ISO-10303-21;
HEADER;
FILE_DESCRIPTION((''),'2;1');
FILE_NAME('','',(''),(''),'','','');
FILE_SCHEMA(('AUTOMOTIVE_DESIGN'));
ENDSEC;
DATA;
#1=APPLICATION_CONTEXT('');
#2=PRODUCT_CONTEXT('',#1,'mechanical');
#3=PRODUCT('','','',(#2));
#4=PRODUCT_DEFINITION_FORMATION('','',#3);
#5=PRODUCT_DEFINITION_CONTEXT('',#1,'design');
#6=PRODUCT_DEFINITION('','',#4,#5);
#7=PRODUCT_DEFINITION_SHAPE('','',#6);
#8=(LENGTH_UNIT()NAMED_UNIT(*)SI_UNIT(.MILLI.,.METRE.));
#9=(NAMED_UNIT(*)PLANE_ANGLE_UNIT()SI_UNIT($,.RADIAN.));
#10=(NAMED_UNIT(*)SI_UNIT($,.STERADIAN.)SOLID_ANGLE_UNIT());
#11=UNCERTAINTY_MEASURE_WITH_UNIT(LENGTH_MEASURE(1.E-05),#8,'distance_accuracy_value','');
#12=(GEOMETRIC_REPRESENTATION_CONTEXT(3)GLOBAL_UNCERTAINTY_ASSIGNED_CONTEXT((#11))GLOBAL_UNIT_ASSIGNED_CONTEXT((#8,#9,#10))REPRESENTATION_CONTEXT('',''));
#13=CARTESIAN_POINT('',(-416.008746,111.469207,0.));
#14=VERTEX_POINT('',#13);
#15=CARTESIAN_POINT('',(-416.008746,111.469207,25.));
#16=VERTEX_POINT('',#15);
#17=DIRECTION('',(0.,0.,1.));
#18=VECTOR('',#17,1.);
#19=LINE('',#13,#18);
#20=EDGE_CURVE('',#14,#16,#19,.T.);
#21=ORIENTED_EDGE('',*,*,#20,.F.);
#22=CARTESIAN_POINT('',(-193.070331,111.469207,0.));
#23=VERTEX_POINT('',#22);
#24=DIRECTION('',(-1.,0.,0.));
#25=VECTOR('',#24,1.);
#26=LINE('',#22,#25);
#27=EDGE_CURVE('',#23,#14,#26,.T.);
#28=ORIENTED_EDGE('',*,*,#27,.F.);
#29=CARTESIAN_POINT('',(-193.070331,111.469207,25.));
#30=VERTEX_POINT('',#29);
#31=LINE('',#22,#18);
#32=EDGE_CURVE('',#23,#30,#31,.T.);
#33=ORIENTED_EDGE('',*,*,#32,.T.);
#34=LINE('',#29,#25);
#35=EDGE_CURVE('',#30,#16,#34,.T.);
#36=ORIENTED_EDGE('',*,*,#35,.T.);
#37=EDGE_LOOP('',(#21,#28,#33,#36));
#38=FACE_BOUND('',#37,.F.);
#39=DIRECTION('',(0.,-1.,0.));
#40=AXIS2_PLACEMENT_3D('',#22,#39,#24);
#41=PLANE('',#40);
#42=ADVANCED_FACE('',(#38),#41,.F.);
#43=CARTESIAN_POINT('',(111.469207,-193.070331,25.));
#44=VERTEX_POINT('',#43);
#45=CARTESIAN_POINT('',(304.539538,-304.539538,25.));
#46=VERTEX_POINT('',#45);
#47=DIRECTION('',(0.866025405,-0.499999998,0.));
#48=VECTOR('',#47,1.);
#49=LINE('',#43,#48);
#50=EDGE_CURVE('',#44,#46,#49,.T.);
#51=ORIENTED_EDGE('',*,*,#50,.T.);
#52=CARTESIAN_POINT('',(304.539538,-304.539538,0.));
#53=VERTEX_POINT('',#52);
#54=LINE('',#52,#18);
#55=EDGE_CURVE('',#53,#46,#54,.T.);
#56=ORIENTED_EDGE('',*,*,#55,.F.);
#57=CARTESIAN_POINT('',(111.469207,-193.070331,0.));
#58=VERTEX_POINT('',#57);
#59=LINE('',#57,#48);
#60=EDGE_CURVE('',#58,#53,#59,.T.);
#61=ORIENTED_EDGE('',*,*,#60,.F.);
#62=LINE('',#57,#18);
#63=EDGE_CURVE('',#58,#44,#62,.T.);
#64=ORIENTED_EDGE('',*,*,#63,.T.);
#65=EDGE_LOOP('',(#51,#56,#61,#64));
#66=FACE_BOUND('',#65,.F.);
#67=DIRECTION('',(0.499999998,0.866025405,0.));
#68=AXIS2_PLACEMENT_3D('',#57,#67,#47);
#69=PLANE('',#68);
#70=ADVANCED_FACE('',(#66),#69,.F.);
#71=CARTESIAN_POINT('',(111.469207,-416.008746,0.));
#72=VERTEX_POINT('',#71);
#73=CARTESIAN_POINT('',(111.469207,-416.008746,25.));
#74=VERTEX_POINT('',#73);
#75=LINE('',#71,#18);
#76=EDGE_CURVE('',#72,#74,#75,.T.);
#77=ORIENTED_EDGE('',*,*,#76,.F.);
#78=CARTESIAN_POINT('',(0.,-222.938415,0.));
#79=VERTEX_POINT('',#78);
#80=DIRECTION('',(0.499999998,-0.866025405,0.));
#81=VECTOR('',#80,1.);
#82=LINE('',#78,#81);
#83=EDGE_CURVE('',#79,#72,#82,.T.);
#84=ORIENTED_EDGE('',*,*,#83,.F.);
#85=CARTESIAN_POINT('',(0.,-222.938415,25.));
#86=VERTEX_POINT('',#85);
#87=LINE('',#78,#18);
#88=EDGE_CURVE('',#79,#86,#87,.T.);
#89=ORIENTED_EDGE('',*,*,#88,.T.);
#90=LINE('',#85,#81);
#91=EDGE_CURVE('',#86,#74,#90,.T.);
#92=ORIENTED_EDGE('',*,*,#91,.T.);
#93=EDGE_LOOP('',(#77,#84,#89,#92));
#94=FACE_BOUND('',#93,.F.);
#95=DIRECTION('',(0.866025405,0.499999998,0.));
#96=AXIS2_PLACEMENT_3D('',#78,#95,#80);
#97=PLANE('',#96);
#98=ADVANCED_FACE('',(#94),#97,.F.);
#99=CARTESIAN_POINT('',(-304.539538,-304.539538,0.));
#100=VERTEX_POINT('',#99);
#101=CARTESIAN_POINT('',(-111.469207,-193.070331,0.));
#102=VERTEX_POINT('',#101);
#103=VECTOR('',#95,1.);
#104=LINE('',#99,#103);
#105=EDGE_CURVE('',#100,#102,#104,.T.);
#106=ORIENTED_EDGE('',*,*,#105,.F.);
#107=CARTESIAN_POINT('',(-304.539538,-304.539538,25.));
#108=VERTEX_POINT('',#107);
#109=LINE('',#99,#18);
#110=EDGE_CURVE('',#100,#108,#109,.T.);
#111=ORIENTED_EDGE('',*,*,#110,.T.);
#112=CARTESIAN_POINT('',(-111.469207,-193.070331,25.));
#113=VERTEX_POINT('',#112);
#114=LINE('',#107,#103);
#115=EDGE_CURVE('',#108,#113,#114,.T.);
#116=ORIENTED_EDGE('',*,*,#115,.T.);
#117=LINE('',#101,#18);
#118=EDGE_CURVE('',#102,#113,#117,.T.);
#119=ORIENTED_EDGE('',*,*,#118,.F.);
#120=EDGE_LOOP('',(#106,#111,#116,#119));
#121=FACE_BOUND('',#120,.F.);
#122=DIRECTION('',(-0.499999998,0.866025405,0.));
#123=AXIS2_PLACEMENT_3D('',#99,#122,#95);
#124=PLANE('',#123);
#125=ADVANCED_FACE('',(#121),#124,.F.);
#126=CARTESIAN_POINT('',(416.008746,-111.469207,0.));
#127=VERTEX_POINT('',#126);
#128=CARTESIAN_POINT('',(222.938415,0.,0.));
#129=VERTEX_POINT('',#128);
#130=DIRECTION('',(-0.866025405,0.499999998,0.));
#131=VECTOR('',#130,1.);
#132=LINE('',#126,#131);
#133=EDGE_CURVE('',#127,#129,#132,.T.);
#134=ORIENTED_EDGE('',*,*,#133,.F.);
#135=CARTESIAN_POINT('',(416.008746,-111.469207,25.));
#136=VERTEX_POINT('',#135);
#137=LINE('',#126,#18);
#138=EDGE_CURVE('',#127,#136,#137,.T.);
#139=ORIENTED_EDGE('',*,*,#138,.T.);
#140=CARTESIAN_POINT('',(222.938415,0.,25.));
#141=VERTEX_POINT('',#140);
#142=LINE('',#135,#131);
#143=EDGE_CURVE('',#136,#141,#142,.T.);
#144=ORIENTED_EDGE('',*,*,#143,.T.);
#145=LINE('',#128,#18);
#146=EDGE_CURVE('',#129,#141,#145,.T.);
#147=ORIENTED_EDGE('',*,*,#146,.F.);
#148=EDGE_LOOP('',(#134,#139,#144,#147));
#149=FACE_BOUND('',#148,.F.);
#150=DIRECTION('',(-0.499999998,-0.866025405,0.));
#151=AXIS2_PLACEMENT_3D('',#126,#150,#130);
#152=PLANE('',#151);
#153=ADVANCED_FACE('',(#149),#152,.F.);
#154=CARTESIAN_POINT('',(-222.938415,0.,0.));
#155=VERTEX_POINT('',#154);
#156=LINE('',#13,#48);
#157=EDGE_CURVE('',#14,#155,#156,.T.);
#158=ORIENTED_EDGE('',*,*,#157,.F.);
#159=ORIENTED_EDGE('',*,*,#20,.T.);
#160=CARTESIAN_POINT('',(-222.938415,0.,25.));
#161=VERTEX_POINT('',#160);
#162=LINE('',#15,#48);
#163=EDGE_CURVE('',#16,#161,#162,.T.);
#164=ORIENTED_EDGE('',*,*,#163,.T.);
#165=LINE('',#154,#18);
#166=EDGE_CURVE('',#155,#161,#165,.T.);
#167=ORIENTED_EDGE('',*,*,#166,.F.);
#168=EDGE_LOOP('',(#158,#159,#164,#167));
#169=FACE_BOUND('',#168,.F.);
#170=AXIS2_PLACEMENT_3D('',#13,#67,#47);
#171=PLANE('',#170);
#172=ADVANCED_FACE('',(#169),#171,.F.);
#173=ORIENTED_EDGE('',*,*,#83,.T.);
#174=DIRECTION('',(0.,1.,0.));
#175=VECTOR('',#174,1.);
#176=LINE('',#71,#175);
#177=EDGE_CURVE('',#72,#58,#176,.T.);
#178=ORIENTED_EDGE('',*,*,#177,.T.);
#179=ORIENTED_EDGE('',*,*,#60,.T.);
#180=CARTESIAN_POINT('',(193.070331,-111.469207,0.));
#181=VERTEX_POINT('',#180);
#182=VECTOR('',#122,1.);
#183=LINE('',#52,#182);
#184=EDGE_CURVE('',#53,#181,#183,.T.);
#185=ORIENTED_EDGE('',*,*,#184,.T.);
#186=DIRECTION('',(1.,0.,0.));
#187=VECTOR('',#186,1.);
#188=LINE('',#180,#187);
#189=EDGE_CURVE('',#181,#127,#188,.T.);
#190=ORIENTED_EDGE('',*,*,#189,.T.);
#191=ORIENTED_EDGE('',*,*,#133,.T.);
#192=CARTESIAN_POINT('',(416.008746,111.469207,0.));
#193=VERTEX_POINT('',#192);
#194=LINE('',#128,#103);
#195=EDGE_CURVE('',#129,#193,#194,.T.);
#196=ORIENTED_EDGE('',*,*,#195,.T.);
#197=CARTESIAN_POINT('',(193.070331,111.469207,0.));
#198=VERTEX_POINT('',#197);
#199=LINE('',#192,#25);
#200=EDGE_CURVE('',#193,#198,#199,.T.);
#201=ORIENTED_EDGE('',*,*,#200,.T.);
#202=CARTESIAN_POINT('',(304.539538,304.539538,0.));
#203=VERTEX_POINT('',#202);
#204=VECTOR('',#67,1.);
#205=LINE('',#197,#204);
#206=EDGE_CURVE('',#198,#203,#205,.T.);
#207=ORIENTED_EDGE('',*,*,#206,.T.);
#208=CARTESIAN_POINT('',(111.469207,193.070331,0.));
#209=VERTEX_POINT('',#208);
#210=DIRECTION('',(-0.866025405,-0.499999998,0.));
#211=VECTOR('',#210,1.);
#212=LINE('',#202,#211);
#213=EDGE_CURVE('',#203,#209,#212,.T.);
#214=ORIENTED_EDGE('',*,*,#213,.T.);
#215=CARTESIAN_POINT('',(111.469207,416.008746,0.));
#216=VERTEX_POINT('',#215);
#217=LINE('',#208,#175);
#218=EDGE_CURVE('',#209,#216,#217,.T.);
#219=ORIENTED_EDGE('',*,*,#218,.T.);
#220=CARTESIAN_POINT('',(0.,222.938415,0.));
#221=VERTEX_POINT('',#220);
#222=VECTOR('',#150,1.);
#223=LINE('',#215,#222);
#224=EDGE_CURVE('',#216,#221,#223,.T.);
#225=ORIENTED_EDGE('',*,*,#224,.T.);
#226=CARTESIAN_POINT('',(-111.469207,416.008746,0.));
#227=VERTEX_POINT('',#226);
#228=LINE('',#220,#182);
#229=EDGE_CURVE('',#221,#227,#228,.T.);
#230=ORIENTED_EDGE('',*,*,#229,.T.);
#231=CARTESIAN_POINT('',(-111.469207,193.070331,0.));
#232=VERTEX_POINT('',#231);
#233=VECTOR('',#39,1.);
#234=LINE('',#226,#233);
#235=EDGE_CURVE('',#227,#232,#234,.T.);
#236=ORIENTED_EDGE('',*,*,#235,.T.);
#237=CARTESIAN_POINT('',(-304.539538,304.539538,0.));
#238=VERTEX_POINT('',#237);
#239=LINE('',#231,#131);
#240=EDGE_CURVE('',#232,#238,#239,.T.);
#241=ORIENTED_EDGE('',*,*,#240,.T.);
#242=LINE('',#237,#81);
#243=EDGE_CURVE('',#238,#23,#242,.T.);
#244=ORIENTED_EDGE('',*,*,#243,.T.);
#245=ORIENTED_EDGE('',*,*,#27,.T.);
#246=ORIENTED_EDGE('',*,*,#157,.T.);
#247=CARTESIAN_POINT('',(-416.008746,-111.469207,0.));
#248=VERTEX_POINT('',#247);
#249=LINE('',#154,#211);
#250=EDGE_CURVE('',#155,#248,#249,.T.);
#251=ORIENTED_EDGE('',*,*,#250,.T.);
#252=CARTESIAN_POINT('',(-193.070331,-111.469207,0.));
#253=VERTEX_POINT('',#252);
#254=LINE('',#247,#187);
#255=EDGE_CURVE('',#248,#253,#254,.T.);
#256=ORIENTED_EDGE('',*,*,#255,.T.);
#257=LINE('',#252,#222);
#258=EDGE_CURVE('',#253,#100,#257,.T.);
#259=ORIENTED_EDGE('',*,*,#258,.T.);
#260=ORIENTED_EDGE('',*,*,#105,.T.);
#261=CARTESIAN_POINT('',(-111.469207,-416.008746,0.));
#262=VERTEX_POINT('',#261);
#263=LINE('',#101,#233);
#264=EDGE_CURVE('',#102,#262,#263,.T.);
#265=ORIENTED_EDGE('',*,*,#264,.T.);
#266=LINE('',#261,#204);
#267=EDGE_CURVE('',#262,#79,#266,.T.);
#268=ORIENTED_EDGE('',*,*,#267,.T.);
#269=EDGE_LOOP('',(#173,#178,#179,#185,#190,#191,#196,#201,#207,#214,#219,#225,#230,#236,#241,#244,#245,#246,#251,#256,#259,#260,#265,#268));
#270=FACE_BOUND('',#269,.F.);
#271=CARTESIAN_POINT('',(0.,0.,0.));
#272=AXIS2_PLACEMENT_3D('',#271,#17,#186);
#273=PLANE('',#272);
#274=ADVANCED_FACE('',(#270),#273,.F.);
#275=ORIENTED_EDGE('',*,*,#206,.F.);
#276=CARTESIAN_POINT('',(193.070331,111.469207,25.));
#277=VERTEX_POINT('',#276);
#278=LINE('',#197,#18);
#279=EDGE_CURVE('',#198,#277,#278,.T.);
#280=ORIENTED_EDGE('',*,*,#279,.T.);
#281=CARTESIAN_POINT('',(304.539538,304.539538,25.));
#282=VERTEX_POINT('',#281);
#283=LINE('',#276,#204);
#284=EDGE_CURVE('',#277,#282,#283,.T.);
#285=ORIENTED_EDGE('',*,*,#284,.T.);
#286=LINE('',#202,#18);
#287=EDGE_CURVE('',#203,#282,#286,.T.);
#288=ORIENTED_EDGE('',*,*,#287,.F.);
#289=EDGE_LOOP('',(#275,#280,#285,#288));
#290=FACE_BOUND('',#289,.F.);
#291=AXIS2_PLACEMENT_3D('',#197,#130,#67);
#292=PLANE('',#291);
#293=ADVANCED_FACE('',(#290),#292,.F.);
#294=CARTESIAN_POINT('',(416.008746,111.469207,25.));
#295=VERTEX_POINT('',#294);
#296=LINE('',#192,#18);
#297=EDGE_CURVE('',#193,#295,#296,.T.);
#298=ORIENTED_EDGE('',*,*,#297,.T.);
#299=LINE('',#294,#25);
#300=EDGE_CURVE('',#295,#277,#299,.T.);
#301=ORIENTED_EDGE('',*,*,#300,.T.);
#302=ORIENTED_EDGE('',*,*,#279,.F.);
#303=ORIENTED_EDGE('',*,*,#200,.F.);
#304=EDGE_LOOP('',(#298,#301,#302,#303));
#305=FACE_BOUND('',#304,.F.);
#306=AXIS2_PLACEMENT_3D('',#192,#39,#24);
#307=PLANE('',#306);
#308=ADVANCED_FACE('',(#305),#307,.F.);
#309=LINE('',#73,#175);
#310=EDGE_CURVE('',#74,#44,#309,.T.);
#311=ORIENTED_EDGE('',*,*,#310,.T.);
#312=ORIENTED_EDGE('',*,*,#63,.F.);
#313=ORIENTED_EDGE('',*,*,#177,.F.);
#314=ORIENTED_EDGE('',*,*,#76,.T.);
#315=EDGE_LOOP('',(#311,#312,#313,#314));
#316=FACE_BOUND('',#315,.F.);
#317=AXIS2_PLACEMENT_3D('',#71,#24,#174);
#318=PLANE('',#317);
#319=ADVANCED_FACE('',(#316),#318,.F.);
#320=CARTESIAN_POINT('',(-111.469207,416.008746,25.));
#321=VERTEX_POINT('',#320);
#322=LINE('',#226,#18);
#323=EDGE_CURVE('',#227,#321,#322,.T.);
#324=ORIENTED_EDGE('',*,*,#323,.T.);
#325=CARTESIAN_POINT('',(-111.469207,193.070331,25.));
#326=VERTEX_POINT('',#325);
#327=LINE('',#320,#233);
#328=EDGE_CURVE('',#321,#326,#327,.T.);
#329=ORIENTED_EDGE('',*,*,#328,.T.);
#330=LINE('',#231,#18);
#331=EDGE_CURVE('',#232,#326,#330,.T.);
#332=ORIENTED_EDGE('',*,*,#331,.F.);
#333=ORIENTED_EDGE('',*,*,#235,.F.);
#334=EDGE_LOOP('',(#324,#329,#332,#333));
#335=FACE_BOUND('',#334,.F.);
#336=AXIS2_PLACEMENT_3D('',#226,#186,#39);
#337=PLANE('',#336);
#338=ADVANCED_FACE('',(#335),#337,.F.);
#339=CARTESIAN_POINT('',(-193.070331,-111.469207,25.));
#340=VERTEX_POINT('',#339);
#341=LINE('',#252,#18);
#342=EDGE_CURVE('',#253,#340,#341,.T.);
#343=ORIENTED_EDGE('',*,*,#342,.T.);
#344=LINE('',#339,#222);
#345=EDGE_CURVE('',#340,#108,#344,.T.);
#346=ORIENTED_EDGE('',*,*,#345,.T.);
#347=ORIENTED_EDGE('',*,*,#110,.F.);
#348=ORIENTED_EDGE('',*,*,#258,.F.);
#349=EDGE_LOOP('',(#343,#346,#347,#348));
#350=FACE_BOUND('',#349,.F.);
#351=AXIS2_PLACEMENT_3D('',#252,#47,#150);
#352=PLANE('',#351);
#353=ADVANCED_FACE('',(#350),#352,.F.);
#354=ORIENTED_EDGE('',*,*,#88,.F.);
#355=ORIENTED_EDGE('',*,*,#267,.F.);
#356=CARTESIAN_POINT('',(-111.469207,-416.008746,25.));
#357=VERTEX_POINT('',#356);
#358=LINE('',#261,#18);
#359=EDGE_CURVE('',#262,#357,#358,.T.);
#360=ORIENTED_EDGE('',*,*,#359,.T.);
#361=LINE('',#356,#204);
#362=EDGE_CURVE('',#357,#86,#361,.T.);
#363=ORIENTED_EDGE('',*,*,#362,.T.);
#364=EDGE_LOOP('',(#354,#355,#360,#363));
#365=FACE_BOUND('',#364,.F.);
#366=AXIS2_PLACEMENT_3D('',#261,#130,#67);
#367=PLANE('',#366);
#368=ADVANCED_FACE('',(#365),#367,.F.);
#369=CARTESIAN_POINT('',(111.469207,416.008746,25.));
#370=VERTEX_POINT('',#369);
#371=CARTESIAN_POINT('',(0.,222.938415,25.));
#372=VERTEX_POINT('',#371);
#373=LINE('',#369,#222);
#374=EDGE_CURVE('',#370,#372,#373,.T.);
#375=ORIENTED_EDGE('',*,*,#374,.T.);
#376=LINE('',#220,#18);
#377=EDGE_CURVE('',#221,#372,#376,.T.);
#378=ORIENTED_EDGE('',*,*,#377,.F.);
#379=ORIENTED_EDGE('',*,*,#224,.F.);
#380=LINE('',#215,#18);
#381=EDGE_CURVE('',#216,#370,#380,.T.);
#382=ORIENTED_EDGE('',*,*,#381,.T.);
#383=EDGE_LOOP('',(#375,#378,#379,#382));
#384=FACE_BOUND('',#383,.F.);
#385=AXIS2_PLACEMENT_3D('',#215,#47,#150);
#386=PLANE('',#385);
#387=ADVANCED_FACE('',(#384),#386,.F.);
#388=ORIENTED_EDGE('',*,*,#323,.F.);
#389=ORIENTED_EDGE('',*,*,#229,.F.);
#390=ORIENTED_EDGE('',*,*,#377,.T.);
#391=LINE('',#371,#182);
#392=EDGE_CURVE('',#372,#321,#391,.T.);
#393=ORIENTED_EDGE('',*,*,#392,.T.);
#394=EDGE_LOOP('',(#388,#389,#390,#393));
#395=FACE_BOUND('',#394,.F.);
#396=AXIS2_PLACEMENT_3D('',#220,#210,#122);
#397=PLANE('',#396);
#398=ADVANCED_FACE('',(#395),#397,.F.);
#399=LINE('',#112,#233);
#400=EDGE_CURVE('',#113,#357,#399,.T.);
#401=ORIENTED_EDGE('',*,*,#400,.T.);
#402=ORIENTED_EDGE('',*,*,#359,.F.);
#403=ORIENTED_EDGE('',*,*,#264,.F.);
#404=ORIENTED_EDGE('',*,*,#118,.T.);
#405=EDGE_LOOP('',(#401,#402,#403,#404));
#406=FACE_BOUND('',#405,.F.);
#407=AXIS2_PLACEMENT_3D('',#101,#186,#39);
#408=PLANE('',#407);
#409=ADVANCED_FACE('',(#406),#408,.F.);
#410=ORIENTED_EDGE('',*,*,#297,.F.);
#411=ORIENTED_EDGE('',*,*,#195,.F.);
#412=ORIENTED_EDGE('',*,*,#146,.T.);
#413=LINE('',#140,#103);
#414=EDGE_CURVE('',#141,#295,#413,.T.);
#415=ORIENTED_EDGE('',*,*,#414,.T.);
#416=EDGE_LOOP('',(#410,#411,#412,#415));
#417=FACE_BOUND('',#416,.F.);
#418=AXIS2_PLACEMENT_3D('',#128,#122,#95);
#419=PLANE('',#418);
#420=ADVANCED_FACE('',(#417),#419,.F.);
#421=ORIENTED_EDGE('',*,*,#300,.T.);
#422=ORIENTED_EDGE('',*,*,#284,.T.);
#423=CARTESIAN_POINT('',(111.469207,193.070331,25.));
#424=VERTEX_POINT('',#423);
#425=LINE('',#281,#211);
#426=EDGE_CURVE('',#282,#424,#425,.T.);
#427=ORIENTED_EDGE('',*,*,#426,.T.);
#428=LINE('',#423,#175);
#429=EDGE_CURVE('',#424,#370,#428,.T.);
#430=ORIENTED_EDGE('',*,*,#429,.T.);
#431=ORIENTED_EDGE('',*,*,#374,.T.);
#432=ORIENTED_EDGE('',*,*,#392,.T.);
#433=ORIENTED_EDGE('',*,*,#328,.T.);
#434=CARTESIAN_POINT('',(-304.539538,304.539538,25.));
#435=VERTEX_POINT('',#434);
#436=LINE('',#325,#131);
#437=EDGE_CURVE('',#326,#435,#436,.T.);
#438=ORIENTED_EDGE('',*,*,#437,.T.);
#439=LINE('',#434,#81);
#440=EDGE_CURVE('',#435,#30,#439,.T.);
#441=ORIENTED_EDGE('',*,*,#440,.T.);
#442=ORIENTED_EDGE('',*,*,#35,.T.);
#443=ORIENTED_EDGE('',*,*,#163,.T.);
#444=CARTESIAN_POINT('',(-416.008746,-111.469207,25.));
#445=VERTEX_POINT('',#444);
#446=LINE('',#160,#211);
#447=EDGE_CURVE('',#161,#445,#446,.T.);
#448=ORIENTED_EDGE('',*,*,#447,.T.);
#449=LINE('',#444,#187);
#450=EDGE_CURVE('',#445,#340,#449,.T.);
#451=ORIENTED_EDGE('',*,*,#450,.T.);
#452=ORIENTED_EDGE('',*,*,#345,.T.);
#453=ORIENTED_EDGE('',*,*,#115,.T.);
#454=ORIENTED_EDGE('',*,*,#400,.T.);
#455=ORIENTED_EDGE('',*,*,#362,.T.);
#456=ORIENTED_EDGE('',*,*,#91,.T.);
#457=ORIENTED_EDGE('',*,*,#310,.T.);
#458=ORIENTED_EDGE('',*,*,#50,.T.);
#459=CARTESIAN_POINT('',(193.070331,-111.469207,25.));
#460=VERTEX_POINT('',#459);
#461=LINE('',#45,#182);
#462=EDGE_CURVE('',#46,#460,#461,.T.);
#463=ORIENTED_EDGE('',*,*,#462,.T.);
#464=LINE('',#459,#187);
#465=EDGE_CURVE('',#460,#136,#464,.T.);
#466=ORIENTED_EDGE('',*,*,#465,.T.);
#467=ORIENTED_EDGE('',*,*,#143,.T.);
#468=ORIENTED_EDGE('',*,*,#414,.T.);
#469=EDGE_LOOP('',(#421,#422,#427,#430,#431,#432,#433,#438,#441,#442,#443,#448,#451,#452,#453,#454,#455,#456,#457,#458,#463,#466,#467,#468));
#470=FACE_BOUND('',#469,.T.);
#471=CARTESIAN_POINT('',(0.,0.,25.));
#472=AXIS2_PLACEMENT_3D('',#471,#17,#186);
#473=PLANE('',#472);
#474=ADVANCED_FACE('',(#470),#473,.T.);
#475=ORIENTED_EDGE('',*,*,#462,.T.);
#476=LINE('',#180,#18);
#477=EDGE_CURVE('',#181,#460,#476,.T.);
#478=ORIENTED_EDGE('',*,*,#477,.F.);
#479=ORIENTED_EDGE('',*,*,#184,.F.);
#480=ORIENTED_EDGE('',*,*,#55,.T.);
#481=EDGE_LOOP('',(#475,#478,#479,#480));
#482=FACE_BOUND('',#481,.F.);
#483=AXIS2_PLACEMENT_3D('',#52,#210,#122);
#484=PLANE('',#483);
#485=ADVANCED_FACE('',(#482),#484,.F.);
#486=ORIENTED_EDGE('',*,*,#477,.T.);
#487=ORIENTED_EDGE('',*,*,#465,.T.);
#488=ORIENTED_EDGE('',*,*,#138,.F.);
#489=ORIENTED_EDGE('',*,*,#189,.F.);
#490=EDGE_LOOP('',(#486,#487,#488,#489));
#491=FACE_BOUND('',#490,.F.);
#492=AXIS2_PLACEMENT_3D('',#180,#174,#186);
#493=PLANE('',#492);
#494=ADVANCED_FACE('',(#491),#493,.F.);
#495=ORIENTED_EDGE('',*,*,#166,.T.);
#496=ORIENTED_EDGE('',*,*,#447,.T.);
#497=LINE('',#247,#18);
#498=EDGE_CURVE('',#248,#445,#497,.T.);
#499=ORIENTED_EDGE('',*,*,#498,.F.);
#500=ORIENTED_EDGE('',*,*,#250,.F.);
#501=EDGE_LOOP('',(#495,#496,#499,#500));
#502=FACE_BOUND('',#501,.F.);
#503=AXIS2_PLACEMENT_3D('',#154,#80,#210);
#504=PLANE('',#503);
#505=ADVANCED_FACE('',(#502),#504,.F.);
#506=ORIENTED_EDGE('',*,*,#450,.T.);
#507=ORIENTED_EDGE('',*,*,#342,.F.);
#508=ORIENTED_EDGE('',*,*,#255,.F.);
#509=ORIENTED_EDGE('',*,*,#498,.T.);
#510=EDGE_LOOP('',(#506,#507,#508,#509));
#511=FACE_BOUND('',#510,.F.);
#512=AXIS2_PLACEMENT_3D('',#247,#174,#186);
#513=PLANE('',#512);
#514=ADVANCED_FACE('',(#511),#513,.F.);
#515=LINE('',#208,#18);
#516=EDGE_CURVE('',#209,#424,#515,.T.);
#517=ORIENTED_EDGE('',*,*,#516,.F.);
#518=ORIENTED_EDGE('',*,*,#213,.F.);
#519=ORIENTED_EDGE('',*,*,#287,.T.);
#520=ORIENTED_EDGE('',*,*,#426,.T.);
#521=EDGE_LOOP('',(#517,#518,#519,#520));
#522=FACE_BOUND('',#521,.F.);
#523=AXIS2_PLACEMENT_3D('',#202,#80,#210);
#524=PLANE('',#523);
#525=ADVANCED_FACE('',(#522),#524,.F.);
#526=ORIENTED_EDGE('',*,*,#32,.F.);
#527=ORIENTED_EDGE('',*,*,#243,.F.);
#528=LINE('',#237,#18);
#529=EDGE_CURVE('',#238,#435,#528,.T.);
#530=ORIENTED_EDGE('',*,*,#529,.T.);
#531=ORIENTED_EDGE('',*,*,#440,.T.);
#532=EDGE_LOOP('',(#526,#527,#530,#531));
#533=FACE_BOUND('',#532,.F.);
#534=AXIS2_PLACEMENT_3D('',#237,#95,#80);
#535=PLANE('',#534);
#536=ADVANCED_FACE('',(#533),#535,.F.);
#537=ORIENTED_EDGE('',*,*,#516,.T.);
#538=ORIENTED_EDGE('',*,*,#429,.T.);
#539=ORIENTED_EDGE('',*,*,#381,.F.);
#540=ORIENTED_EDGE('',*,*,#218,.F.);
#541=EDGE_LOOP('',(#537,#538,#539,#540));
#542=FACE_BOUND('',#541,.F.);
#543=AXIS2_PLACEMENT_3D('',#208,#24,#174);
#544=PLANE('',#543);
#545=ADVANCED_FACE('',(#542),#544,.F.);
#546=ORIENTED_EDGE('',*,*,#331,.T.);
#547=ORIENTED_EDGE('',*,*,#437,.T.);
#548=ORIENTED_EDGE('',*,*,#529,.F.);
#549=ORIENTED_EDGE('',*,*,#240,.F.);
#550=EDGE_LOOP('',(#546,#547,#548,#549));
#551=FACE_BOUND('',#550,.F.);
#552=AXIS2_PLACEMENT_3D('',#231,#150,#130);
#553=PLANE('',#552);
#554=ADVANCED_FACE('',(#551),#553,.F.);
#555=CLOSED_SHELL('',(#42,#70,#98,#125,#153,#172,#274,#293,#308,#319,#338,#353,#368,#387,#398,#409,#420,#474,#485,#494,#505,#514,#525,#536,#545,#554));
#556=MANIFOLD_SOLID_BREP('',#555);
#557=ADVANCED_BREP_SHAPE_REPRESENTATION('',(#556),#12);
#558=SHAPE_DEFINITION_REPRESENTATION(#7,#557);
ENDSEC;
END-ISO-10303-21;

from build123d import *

# Parameters (mm, degrees)
F1_DEPTH = 25


with BuildPart() as f1:
    # F0 (on Top) → F1 (new body)
    with BuildSketch(Plane.XY):
        Polygon((222.938415, 0), (416.008746, 111.469207), (193.070331, 111.469207), (304.539538, 304.539538), (111.469207, 193.070331), (111.469207, 416.008746), (0, 222.938415), (-111.469207, 416.008746), (-111.469207, 193.070331), (-304.539538, 304.539538), (-193.070331, 111.469207), (-416.008746, 111.469207), (-222.938415, 0), (-416.008746, -111.469207), (-193.070331, -111.469207), (-304.539538, -304.539538), (-111.469207, -193.070331), (-111.469207, -416.008746), (0, -222.938415), (111.469207, -416.008746), (111.469207, -193.070331), (304.539538, -304.539538), (193.070331, -111.469207), (416.008746, -111.469207), align=None)
    extrude(amount=F1_DEPTH)


solid = f1.part
